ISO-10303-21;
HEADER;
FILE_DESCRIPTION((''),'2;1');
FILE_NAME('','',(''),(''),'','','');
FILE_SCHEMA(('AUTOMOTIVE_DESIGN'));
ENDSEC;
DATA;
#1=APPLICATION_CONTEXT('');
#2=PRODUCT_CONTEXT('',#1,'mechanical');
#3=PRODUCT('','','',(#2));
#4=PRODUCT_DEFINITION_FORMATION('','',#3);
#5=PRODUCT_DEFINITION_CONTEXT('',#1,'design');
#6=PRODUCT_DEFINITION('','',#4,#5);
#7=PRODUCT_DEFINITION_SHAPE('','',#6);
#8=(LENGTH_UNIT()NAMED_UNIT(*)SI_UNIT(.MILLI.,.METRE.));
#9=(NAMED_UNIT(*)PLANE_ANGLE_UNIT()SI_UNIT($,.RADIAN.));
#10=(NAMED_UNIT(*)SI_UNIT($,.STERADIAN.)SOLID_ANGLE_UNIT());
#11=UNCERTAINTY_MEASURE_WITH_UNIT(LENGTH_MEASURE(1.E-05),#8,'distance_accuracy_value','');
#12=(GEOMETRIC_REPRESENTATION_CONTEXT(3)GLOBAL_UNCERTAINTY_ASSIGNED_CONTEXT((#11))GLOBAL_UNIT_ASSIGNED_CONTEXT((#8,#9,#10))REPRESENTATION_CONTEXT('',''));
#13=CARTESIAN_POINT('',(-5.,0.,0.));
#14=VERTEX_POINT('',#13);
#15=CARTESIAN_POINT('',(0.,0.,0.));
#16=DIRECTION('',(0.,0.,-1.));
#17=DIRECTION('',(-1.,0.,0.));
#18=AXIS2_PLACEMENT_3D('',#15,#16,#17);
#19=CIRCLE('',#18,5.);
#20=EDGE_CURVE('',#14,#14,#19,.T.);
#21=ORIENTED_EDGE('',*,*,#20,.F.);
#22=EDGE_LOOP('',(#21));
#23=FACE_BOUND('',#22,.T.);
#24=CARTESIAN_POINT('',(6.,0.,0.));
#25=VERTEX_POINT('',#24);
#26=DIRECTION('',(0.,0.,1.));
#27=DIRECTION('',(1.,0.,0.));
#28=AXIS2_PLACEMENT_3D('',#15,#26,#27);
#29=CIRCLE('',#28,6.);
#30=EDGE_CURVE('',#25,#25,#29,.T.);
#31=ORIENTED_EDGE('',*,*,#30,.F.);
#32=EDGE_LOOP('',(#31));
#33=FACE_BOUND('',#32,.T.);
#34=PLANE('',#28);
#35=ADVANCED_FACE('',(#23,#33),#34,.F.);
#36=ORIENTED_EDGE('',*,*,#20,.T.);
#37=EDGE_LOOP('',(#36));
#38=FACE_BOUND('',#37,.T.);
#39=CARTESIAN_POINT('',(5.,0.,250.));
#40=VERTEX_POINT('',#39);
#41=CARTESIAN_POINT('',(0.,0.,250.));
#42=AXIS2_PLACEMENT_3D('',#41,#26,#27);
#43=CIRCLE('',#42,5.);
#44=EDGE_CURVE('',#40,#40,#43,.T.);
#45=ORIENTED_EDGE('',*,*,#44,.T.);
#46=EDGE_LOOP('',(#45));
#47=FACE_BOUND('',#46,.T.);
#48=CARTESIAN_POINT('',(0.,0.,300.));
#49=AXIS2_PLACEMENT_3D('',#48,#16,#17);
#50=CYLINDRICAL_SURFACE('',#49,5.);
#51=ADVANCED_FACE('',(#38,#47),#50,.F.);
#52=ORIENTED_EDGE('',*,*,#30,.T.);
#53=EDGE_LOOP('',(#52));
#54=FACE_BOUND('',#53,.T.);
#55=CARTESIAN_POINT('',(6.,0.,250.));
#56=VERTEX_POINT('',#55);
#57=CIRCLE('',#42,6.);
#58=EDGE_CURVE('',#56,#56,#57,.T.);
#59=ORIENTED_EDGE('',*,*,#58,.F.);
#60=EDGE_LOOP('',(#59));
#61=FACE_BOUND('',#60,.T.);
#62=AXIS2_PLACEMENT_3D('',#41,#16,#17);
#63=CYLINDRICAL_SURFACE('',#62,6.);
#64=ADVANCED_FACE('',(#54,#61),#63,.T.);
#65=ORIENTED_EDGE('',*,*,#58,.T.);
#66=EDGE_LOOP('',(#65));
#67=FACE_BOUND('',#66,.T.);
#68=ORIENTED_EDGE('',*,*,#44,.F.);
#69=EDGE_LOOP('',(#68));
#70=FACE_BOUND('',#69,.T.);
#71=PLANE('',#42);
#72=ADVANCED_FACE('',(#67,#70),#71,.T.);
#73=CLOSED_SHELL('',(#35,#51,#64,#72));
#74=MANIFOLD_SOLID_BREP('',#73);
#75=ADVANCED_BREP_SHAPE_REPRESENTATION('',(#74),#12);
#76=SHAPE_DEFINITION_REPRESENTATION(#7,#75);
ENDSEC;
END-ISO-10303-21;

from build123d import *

# Parameters (mm, degrees)
SKETCH_1_R          = 6
EXTRUDE_1_DEPTH     = 250
SKETCH_2_R          = 5
CUT_EXTRUDE_1_DEPTH = 300


with BuildPart() as part:
    # 草图1 → 凸台-拉伸1 (new body)
    with BuildSketch(Plane.XY):
        Circle(SKETCH_1_R)
    extrude(amount=EXTRUDE_1_DEPTH)

    # 草图2 → 切除-拉伸1 (cut)
    with BuildSketch(Plane(origin=(0, 0, 0), x_dir=(-1, 0, 0), z_dir=(0, 0, -1))):
        Circle(SKETCH_2_R)
    extrude(amount=-CUT_EXTRUDE_1_DEPTH, mode=Mode.SUBTRACT)


solid = part.part
